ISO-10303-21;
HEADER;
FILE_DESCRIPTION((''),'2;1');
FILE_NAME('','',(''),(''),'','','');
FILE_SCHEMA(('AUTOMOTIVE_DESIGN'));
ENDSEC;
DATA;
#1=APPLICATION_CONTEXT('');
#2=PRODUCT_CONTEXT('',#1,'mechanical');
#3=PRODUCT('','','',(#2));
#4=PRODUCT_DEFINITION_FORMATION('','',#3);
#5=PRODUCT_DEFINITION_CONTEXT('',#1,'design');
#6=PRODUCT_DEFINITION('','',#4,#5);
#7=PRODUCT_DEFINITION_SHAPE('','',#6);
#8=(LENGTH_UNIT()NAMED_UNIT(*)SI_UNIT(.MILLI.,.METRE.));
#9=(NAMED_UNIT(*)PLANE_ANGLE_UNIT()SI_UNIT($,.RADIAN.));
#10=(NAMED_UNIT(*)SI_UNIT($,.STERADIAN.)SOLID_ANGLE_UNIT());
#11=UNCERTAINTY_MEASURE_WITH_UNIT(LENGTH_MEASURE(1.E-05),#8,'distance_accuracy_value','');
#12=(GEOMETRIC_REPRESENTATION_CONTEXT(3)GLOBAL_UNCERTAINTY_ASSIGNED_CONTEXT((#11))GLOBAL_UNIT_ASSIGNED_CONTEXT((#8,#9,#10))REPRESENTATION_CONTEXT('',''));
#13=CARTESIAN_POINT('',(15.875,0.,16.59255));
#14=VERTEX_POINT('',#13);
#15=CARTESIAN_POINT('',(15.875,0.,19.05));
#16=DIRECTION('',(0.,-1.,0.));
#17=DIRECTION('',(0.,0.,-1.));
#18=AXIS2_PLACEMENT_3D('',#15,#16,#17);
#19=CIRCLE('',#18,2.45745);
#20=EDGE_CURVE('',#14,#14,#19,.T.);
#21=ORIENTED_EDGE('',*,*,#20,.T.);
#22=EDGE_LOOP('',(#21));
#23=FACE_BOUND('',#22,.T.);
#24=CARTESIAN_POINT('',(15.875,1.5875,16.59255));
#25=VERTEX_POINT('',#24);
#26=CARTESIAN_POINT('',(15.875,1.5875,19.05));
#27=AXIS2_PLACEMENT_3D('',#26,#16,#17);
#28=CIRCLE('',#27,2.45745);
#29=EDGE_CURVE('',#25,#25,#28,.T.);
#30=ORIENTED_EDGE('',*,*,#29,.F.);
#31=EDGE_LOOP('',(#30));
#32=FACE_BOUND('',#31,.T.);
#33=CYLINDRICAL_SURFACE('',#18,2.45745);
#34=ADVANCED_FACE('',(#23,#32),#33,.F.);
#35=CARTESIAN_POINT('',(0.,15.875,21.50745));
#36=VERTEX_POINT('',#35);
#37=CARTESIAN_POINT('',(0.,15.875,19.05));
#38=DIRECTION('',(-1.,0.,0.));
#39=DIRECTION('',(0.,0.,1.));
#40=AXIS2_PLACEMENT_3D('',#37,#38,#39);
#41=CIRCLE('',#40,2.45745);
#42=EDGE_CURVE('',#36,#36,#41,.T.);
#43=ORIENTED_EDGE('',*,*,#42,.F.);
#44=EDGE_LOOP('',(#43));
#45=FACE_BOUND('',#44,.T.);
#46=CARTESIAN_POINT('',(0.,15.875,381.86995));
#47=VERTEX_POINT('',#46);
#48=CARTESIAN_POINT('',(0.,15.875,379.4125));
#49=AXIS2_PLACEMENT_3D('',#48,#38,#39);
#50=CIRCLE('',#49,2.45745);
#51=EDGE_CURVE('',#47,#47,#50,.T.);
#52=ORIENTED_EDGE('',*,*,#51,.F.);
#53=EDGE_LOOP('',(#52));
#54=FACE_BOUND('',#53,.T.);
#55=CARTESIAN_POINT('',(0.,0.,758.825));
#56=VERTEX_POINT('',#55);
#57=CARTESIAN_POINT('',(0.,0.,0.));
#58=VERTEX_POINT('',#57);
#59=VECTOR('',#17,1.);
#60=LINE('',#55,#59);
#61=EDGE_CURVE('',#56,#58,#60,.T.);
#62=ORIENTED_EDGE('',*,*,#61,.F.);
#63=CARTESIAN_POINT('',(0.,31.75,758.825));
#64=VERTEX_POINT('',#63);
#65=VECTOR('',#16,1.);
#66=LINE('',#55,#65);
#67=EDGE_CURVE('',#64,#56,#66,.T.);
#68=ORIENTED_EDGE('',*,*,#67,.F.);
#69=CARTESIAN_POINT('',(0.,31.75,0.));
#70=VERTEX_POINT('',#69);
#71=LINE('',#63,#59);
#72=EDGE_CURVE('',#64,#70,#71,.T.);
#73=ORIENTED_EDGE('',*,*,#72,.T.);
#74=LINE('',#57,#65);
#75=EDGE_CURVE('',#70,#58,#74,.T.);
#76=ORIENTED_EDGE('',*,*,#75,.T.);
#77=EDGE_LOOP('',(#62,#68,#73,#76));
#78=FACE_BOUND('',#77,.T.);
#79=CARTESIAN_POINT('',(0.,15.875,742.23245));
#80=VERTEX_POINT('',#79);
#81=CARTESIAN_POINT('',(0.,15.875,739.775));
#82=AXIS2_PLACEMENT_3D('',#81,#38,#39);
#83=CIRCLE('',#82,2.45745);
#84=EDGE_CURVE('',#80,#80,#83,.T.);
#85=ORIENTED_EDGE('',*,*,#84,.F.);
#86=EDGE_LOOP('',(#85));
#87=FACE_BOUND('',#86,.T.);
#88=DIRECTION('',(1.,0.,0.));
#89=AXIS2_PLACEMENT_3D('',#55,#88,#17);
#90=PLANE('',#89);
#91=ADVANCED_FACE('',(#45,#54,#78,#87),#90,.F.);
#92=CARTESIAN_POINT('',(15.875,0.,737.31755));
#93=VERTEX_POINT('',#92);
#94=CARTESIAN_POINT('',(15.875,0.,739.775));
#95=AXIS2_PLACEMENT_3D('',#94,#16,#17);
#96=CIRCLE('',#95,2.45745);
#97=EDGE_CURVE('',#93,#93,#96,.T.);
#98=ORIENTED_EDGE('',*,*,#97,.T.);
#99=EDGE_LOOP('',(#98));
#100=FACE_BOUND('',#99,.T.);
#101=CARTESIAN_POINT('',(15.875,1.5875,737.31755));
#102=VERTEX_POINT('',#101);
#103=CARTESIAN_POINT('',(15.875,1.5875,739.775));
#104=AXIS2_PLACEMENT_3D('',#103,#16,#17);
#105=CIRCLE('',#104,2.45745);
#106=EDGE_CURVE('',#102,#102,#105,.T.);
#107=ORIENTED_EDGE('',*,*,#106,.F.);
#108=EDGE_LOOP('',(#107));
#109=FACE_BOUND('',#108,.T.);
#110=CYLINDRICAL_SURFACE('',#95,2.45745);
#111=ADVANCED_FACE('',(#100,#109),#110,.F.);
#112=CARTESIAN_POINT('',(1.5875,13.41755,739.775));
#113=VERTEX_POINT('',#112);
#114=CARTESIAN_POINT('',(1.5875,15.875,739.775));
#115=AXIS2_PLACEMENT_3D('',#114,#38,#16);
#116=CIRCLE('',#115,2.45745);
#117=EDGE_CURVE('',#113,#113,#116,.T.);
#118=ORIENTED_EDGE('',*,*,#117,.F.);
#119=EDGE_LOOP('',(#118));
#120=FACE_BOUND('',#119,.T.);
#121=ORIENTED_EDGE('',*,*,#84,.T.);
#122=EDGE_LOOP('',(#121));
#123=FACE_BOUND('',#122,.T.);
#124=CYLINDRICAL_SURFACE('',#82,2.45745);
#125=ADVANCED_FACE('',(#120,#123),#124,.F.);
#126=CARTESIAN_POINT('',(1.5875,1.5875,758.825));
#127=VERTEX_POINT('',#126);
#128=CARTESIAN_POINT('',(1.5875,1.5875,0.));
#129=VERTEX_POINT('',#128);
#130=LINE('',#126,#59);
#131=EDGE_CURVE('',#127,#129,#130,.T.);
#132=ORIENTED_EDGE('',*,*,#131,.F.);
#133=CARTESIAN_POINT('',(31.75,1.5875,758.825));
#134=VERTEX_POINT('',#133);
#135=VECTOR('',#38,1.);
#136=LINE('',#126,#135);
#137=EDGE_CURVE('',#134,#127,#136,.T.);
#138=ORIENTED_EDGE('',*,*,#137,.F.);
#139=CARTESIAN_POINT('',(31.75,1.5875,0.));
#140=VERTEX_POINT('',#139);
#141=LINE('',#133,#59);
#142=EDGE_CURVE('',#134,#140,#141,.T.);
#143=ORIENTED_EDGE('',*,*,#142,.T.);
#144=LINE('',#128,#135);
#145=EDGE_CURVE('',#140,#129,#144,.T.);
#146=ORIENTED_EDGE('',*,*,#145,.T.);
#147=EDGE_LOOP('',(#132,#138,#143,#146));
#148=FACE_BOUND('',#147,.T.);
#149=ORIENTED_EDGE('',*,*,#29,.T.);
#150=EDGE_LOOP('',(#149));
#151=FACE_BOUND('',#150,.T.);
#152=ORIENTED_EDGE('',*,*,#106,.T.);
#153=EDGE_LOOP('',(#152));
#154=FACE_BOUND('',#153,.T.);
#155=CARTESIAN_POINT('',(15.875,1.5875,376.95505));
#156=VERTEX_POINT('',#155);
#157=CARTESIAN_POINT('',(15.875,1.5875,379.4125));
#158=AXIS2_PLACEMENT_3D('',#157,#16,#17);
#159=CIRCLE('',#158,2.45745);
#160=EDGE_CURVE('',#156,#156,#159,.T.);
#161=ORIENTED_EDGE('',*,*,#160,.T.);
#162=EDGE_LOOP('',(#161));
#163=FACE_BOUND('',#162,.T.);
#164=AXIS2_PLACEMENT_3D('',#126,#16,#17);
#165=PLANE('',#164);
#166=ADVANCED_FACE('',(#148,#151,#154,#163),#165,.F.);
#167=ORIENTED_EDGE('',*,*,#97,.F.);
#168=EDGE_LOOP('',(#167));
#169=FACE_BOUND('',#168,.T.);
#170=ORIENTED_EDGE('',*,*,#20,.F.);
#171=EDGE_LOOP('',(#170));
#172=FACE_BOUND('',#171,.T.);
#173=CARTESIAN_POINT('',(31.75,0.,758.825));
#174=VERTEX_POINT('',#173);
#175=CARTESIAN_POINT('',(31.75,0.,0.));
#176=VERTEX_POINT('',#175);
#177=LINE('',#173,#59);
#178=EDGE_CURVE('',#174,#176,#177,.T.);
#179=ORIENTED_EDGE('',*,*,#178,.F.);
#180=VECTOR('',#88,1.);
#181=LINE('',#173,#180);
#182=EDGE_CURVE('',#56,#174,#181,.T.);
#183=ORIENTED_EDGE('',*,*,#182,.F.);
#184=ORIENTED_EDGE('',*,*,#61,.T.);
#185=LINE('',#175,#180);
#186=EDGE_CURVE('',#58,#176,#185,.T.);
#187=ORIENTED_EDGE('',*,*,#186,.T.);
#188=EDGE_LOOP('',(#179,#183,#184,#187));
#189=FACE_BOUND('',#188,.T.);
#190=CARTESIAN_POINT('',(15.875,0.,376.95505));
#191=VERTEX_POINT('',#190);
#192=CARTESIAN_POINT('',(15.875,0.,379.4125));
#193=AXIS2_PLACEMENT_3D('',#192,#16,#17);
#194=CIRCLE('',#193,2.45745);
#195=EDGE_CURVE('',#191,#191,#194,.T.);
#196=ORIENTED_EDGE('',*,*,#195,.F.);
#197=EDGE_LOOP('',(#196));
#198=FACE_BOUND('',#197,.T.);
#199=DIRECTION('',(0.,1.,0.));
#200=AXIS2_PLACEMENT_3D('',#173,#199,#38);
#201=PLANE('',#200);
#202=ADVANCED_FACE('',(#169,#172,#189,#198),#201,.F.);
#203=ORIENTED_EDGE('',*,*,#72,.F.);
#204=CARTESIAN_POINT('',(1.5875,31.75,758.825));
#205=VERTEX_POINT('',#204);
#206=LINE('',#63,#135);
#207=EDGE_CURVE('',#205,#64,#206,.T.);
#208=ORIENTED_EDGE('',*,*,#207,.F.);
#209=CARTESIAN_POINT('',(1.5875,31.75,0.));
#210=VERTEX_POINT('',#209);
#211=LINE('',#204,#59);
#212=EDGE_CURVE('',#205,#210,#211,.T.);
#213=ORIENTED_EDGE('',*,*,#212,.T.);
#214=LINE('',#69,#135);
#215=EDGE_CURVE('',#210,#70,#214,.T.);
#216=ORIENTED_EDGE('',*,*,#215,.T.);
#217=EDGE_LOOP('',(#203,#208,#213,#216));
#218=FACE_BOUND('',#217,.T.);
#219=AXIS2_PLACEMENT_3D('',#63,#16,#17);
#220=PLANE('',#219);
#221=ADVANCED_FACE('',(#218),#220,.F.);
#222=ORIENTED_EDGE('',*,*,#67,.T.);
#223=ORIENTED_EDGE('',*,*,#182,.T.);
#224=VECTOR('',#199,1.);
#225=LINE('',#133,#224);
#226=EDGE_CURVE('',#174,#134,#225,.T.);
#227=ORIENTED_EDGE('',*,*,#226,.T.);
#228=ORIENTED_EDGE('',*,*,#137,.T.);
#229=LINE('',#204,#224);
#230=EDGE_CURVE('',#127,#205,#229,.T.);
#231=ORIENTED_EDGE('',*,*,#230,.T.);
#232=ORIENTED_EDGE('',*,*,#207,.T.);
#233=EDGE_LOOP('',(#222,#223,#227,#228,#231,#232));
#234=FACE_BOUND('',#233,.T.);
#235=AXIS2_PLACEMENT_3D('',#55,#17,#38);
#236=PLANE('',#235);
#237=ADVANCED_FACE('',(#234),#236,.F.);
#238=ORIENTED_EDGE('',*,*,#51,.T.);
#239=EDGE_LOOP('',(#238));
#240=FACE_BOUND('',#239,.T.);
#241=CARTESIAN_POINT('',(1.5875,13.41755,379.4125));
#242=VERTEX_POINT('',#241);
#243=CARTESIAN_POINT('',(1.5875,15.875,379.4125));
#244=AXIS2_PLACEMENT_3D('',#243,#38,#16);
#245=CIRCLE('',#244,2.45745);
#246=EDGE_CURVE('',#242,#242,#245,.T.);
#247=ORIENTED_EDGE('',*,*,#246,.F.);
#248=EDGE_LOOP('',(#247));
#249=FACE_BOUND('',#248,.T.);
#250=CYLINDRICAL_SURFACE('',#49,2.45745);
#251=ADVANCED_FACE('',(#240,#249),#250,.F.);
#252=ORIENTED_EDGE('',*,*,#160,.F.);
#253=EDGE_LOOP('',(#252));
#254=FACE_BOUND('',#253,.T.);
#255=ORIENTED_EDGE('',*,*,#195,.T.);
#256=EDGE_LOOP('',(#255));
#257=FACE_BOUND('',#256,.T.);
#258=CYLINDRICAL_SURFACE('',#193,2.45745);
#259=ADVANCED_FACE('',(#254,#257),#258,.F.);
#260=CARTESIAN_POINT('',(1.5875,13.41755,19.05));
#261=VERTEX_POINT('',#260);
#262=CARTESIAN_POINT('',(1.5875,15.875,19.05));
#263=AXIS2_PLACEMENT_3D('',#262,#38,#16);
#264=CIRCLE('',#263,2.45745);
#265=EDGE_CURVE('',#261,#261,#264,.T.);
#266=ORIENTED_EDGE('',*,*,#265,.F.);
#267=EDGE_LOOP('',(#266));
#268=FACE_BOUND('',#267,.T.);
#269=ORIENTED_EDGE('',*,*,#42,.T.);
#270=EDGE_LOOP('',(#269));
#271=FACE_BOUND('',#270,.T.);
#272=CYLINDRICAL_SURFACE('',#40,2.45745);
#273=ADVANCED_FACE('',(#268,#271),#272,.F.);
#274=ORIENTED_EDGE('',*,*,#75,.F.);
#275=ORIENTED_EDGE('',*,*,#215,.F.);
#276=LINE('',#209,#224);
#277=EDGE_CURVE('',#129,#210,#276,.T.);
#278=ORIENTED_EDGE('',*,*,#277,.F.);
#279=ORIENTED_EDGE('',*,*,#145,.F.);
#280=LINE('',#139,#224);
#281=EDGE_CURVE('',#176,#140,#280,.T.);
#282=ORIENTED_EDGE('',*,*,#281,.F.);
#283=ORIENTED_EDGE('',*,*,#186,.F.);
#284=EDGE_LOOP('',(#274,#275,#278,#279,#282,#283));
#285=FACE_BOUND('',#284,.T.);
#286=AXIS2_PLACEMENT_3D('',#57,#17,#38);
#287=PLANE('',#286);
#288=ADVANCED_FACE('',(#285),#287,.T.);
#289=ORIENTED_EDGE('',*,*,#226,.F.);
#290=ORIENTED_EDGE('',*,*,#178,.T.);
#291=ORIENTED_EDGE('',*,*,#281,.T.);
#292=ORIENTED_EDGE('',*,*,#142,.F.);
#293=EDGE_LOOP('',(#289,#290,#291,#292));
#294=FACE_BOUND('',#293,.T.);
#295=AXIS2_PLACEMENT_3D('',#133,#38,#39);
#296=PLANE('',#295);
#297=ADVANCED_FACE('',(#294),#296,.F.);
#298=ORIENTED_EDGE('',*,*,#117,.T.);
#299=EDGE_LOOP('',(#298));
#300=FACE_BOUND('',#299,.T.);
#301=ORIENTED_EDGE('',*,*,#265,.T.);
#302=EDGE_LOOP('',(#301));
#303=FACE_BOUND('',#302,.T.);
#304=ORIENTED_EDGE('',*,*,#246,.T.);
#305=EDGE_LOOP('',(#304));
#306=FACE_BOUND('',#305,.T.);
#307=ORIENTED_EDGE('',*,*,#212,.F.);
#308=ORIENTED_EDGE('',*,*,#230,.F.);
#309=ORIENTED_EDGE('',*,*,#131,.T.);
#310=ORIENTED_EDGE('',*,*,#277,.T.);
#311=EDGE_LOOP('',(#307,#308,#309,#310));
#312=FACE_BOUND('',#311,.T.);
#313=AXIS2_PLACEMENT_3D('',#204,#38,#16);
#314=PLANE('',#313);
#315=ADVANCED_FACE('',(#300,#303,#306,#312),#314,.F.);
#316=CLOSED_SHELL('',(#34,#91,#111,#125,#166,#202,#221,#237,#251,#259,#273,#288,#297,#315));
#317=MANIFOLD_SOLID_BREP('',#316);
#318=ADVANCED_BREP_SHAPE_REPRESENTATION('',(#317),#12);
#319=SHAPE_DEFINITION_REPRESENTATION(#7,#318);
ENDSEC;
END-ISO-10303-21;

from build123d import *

# Parameters (mm, degrees)
BOSS_EXTRUDE1_DEPTH          = 758.825
F_10_0_1935_DIAMETER_HOLE1_D = 4.9149
F_10_0_1935_DIAMETER_HOLE3_D = 4.9149


with BuildPart() as part:
    # Sketch2 → Boss-Extrude1 (new body)
    with BuildSketch(Plane.XY):
        Polygon((0, 0), (0, 31.75), (1.5875, 31.75), (1.5875, 1.5875), (31.75, 1.5875), (31.75, 0), align=None)
    extrude(amount=BOSS_EXTRUDE1_DEPTH)

    # #10 (0.1935) Diameter Hole1 (through all)
    with Locations(Plane.ZY):
        with Locations((19.05, 15.875), (379.4125, 15.875), (739.775, 15.875)):
            Hole(F_10_0_1935_DIAMETER_HOLE1_D / 2)

    # #10 (0.1935) Diameter Hole3 (through all)
    with Locations(Plane(origin=(0, 0, 0), x_dir=(-1, 0, 0), z_dir=(0, -1, 0))):
        with Locations((-15.875, -739.775), (-15.875, -379.4125), (-15.875, -19.05)):
            Hole(F_10_0_1935_DIAMETER_HOLE3_D / 2)


solid = part.part
